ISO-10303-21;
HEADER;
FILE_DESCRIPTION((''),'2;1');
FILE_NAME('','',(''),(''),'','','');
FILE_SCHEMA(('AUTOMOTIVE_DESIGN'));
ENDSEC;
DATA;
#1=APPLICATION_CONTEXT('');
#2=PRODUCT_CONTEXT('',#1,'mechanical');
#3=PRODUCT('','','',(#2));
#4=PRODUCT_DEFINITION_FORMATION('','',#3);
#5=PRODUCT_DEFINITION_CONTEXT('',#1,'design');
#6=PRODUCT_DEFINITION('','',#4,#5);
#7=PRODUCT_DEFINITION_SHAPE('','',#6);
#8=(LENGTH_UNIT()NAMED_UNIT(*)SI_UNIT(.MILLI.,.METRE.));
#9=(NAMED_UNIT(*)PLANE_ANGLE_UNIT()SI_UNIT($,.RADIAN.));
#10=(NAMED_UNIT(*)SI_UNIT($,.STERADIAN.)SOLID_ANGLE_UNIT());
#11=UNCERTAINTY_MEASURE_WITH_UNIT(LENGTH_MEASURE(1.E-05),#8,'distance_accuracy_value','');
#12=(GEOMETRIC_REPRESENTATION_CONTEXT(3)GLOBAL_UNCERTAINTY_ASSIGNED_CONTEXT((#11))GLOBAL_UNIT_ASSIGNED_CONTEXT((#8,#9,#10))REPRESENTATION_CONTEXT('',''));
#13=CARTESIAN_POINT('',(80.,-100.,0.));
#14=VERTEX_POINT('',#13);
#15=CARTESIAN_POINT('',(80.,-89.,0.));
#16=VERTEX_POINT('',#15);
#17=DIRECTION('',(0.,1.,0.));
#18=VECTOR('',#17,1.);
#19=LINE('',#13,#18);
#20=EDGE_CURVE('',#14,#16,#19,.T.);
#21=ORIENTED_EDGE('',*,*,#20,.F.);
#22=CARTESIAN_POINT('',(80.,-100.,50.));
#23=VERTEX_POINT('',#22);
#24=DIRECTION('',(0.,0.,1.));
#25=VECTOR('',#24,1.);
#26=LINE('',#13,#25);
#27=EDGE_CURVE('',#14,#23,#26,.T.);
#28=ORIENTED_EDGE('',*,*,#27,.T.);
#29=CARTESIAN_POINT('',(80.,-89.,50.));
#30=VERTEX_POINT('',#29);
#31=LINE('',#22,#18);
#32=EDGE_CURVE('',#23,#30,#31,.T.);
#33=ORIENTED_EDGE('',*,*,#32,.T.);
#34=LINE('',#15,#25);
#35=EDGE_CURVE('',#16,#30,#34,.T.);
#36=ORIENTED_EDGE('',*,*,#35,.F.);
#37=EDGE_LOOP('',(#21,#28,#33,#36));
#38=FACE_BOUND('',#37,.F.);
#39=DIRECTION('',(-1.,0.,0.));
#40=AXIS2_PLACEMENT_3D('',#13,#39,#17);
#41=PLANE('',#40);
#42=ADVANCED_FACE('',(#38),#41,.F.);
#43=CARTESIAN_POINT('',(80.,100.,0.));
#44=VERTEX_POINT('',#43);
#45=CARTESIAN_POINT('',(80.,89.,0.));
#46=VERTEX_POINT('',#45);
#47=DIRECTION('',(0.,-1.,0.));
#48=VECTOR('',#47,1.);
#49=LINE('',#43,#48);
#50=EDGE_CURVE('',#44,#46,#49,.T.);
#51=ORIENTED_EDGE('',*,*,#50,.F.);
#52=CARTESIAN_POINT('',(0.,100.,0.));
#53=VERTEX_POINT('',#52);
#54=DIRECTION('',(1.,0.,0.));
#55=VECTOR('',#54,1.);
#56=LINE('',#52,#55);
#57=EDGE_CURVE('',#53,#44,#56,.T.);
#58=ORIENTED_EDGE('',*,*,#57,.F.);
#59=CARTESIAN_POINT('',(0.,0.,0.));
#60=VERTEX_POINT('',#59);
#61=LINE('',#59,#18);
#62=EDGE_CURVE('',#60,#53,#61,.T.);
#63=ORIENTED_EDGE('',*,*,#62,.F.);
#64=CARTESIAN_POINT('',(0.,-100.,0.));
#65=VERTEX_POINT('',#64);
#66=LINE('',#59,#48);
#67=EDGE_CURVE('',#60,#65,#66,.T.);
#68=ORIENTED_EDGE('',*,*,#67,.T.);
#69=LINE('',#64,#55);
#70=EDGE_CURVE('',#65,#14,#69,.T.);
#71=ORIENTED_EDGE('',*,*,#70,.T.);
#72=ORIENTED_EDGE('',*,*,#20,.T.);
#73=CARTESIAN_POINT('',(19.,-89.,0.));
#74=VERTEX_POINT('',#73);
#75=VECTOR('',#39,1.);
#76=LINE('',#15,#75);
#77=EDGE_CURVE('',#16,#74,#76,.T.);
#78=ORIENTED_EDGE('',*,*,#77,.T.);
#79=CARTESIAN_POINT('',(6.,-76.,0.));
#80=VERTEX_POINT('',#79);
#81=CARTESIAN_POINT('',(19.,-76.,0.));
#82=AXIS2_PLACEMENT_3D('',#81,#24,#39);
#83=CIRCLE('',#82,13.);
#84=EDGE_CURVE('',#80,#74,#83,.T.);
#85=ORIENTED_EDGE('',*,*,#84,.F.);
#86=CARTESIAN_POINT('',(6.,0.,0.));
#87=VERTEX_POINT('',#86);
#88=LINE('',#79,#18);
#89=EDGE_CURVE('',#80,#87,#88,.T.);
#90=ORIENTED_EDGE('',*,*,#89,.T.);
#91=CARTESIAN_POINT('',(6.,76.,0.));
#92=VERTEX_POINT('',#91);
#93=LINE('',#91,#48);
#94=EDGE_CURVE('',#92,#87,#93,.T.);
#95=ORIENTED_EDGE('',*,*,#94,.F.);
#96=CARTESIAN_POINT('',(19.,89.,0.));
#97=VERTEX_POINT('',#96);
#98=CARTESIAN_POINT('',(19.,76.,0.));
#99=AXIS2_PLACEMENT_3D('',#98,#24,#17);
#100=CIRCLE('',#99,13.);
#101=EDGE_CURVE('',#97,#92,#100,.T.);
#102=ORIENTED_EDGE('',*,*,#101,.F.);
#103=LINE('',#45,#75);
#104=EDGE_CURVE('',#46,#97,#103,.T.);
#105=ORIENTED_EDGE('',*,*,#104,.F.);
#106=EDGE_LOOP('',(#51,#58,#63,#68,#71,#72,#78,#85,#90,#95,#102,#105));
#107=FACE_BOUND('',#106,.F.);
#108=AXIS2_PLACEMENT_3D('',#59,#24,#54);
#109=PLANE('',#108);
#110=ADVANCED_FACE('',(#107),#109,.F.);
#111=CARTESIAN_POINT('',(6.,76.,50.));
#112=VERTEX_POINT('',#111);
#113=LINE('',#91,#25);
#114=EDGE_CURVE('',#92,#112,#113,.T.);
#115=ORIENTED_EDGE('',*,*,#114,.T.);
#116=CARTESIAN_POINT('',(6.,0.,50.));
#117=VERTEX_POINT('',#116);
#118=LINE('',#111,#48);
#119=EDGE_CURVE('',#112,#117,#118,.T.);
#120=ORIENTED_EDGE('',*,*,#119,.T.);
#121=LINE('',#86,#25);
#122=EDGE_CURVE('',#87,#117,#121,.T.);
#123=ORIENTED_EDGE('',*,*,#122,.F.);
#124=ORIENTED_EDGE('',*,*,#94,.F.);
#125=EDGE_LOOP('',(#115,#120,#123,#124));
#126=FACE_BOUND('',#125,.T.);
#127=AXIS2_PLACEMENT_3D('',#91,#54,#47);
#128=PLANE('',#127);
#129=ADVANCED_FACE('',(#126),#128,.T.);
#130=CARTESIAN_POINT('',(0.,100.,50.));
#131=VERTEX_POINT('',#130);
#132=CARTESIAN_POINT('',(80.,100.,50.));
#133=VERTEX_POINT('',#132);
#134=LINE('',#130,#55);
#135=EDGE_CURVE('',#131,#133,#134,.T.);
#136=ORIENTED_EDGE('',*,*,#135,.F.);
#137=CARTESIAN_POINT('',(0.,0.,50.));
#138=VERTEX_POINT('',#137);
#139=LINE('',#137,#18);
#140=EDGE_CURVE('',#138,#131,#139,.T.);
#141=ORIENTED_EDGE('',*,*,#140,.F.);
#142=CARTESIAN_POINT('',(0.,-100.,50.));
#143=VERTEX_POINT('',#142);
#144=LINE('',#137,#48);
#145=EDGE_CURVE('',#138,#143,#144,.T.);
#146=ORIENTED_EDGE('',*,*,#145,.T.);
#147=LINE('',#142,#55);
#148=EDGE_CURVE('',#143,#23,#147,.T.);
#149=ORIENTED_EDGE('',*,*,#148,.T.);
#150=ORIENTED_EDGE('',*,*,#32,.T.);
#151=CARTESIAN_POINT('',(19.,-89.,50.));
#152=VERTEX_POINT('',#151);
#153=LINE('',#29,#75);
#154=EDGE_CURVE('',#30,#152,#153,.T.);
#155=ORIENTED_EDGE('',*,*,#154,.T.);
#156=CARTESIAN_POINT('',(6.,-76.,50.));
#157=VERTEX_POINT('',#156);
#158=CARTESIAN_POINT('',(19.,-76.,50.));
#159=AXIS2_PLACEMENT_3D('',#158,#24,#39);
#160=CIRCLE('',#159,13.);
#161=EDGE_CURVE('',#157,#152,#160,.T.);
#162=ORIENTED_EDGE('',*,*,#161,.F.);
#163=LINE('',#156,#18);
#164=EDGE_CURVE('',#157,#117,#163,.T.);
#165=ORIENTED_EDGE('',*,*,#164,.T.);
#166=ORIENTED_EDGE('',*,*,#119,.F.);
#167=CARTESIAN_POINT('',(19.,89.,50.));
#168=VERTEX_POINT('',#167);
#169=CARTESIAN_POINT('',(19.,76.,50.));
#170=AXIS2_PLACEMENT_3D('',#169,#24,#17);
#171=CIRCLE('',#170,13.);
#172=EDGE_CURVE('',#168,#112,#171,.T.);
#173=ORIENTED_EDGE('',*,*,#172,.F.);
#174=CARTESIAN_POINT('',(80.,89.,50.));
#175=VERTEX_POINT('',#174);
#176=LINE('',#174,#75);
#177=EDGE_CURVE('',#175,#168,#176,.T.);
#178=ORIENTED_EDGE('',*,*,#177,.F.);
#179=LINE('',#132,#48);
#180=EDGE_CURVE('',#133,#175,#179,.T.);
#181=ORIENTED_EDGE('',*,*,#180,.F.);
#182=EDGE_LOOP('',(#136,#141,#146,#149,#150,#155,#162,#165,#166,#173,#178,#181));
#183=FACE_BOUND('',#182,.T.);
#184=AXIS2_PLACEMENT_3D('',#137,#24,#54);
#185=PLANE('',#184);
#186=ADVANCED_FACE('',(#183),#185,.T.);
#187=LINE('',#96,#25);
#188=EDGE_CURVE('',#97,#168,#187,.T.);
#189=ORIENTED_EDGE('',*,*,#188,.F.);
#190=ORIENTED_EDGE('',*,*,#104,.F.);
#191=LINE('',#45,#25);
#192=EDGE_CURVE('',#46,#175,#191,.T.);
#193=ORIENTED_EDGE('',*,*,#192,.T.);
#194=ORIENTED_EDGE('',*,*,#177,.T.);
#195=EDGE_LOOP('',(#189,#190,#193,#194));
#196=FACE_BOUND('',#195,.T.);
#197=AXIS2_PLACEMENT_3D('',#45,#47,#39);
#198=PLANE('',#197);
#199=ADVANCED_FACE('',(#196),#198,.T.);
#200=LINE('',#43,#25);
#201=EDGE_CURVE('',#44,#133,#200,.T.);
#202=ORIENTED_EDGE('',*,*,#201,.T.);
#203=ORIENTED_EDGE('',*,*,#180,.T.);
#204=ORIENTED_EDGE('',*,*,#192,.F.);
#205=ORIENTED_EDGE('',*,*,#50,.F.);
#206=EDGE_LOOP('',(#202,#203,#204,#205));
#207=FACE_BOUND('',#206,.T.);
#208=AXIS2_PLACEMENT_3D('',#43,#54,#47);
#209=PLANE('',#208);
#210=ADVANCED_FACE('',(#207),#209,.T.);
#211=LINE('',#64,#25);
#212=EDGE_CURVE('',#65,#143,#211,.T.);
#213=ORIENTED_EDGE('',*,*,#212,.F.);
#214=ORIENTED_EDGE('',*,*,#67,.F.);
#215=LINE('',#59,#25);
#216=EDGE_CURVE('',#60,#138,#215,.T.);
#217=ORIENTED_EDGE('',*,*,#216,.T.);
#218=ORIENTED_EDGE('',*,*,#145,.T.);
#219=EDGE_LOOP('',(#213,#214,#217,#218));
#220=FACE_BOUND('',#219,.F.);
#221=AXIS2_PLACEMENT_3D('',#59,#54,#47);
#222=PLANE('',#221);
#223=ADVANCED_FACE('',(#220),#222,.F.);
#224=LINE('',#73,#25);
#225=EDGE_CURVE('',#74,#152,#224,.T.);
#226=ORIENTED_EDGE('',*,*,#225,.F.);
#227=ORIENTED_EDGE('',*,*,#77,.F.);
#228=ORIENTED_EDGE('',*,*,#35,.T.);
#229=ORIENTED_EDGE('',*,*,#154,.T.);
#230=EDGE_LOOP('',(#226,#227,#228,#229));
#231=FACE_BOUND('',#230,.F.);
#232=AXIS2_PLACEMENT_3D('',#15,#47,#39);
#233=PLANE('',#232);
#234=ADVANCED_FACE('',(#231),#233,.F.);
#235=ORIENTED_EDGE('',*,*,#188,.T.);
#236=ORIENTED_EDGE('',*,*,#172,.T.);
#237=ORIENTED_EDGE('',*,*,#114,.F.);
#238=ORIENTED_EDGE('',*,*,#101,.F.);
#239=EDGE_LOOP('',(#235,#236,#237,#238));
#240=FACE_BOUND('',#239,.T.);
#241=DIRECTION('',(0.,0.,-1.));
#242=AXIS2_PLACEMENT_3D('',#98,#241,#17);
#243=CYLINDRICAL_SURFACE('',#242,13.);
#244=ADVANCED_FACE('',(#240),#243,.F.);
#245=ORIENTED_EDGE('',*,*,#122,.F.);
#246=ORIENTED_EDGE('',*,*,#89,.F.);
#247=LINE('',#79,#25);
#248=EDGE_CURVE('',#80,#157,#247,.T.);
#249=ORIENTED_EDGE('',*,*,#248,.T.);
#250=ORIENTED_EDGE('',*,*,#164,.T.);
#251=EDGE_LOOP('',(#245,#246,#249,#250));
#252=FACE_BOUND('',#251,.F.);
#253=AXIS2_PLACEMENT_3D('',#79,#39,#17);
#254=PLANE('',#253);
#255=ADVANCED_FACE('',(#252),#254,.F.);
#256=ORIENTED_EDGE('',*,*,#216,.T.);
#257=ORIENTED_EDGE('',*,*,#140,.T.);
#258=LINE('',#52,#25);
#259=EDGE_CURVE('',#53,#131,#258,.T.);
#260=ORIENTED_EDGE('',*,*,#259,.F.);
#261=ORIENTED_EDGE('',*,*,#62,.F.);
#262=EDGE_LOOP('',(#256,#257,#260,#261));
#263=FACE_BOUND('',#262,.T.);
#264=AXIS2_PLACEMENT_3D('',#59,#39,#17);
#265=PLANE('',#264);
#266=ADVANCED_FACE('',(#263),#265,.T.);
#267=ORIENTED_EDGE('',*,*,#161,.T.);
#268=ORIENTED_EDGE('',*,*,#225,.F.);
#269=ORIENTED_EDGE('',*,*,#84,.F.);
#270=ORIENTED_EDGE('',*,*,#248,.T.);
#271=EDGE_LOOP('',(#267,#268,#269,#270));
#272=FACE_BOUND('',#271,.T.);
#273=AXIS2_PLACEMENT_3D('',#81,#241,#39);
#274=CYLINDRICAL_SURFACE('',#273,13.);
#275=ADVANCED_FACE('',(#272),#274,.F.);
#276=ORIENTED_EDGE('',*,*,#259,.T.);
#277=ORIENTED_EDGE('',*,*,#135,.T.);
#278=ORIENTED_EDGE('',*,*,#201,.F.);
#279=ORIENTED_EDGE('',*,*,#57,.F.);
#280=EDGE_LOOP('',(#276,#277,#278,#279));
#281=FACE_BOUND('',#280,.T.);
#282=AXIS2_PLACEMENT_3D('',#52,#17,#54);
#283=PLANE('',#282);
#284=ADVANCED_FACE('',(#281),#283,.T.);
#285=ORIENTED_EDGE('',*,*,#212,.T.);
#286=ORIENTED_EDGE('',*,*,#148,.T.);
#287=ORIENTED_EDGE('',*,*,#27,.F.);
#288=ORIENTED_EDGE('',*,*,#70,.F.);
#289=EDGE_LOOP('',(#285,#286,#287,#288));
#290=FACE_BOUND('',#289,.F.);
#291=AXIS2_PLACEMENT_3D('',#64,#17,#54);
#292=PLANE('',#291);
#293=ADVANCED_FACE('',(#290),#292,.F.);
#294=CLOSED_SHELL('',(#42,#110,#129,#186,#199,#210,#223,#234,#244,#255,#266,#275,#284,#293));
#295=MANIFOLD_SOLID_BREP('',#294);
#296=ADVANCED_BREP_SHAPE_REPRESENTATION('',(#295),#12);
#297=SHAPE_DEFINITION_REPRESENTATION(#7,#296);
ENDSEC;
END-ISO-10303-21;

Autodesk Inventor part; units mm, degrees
ref_plane "YZ Plane" through (0, 0, 0) normal (1, 0, 0) x (0, 1, 0)
ref_plane "Startebene" through (0, 0, 0) normal (0, 0, 1) x (1, 0, 0)
ref_plane "Endebene" through (0, 0, 50) normal (0, 0, 1) x (1, 0, 0)
sketch "Skizze" plane through (0, 0, 0) normal (0, 0, 1) x (1, 0, 0)
  line L0 (0, 0) -> (0, 100)
  line L1 (0, 100) -> (80, 100)
  line L2 (80, 100) -> (80, 89)
  line L3 (80, 89) -> (19, 89)
  line L4 (6, 76) -> (6, 0)
  line L5 (6, 0) -> (0, 0) construction
  line L6 (25.6, 100) -> (25.6, 89) construction
  line L7 (80, 89) -> (80, 89) construction
  line L8 (80, 89) -> (25.6, 89) construction
  line L9 (0, 12) -> (0, -30) construction
  line L10 (-1.5, 0) -> (19.5, 0) construction
  line L11 (0, 0) -> (0, -100)
  line L12 (0, -100) -> (80, -100)
  line L13 (80, -100) -> (80, -89)
  line L14 (80, -89) -> (19, -89)
  line L15 (6, -76) -> (6, 0)
  arc A0 (6, -76) -> (19, -89) centre (19, -76) ccw
  arc A1 (19, 89) -> (6, 76) centre (19, 76) ccw
  line L16 (0, 56) -> (0, -56) construction
  line L17 (-11.8, 0) -> (60.3, 0) construction
  point P0 (6, 89)
  point P1 (6, -89)
  point P2 (25.6, -100)
  point P3 (25.6, -89)
  dimension "d0" = 6
  dimension "d1" = 100
  dimension "d2" = 80
  dimension "d3" = 11
  dimension "d5" = 0
  dimension "d23" = 13
  dimension "d24" = 0
  dimension "d29" = 25.6
extrude "Körper" add sketch "Skizze" along normal up to surface (50 mm away) from surface at 0
sketch "Sketch3" plane through (0, 0, 0) normal (0, 0, 1) x (1, 0, 0)
  line L0 (0, 0) -> (10, 0)
ref_plane "Work Plane3" through (0, 0, 0) normal (0, -1, 0) x (1, 0, 0)
sketch "Sketch4" plane through (0, 0, 0) normal (0, -1, 0) x (1, 0, 0)
  line L0 (-2, 0) -> (12, 0)
  line L1 (-2, 50) -> (12, 50)
  dimension "d28" = 50
equation "\"d0\" = G_T"
equation "\"d1\" = 0.5 * G_H"
equation "\"d2\" = G_W"
equation "\"d3\" = G_T1"
equation "\"d23\" = G_IR"
equation "\"d29\" = G_C"
equation "\"d6\" = G_L"
equation "\"G_W\" = 80"
equation "\"G_T\" = 6"
equation "\"G_T1\" = 11"
equation "\"G_NG\" = 0"
equation "\"G_IR\" = 13"
equation "\"G_C\" = 25.6"
equation "\"G_L\" = d28"
equation "\"ex\" = 0"
equation "\"G_OFFSET_START\" = 0"
equation "\"G_OFFSET_END\" = 0"
equation "\"G_H\" = 200"
properties part number "DIN 1026-2 - UPE 200 - 50" material "Stahl, weich"
